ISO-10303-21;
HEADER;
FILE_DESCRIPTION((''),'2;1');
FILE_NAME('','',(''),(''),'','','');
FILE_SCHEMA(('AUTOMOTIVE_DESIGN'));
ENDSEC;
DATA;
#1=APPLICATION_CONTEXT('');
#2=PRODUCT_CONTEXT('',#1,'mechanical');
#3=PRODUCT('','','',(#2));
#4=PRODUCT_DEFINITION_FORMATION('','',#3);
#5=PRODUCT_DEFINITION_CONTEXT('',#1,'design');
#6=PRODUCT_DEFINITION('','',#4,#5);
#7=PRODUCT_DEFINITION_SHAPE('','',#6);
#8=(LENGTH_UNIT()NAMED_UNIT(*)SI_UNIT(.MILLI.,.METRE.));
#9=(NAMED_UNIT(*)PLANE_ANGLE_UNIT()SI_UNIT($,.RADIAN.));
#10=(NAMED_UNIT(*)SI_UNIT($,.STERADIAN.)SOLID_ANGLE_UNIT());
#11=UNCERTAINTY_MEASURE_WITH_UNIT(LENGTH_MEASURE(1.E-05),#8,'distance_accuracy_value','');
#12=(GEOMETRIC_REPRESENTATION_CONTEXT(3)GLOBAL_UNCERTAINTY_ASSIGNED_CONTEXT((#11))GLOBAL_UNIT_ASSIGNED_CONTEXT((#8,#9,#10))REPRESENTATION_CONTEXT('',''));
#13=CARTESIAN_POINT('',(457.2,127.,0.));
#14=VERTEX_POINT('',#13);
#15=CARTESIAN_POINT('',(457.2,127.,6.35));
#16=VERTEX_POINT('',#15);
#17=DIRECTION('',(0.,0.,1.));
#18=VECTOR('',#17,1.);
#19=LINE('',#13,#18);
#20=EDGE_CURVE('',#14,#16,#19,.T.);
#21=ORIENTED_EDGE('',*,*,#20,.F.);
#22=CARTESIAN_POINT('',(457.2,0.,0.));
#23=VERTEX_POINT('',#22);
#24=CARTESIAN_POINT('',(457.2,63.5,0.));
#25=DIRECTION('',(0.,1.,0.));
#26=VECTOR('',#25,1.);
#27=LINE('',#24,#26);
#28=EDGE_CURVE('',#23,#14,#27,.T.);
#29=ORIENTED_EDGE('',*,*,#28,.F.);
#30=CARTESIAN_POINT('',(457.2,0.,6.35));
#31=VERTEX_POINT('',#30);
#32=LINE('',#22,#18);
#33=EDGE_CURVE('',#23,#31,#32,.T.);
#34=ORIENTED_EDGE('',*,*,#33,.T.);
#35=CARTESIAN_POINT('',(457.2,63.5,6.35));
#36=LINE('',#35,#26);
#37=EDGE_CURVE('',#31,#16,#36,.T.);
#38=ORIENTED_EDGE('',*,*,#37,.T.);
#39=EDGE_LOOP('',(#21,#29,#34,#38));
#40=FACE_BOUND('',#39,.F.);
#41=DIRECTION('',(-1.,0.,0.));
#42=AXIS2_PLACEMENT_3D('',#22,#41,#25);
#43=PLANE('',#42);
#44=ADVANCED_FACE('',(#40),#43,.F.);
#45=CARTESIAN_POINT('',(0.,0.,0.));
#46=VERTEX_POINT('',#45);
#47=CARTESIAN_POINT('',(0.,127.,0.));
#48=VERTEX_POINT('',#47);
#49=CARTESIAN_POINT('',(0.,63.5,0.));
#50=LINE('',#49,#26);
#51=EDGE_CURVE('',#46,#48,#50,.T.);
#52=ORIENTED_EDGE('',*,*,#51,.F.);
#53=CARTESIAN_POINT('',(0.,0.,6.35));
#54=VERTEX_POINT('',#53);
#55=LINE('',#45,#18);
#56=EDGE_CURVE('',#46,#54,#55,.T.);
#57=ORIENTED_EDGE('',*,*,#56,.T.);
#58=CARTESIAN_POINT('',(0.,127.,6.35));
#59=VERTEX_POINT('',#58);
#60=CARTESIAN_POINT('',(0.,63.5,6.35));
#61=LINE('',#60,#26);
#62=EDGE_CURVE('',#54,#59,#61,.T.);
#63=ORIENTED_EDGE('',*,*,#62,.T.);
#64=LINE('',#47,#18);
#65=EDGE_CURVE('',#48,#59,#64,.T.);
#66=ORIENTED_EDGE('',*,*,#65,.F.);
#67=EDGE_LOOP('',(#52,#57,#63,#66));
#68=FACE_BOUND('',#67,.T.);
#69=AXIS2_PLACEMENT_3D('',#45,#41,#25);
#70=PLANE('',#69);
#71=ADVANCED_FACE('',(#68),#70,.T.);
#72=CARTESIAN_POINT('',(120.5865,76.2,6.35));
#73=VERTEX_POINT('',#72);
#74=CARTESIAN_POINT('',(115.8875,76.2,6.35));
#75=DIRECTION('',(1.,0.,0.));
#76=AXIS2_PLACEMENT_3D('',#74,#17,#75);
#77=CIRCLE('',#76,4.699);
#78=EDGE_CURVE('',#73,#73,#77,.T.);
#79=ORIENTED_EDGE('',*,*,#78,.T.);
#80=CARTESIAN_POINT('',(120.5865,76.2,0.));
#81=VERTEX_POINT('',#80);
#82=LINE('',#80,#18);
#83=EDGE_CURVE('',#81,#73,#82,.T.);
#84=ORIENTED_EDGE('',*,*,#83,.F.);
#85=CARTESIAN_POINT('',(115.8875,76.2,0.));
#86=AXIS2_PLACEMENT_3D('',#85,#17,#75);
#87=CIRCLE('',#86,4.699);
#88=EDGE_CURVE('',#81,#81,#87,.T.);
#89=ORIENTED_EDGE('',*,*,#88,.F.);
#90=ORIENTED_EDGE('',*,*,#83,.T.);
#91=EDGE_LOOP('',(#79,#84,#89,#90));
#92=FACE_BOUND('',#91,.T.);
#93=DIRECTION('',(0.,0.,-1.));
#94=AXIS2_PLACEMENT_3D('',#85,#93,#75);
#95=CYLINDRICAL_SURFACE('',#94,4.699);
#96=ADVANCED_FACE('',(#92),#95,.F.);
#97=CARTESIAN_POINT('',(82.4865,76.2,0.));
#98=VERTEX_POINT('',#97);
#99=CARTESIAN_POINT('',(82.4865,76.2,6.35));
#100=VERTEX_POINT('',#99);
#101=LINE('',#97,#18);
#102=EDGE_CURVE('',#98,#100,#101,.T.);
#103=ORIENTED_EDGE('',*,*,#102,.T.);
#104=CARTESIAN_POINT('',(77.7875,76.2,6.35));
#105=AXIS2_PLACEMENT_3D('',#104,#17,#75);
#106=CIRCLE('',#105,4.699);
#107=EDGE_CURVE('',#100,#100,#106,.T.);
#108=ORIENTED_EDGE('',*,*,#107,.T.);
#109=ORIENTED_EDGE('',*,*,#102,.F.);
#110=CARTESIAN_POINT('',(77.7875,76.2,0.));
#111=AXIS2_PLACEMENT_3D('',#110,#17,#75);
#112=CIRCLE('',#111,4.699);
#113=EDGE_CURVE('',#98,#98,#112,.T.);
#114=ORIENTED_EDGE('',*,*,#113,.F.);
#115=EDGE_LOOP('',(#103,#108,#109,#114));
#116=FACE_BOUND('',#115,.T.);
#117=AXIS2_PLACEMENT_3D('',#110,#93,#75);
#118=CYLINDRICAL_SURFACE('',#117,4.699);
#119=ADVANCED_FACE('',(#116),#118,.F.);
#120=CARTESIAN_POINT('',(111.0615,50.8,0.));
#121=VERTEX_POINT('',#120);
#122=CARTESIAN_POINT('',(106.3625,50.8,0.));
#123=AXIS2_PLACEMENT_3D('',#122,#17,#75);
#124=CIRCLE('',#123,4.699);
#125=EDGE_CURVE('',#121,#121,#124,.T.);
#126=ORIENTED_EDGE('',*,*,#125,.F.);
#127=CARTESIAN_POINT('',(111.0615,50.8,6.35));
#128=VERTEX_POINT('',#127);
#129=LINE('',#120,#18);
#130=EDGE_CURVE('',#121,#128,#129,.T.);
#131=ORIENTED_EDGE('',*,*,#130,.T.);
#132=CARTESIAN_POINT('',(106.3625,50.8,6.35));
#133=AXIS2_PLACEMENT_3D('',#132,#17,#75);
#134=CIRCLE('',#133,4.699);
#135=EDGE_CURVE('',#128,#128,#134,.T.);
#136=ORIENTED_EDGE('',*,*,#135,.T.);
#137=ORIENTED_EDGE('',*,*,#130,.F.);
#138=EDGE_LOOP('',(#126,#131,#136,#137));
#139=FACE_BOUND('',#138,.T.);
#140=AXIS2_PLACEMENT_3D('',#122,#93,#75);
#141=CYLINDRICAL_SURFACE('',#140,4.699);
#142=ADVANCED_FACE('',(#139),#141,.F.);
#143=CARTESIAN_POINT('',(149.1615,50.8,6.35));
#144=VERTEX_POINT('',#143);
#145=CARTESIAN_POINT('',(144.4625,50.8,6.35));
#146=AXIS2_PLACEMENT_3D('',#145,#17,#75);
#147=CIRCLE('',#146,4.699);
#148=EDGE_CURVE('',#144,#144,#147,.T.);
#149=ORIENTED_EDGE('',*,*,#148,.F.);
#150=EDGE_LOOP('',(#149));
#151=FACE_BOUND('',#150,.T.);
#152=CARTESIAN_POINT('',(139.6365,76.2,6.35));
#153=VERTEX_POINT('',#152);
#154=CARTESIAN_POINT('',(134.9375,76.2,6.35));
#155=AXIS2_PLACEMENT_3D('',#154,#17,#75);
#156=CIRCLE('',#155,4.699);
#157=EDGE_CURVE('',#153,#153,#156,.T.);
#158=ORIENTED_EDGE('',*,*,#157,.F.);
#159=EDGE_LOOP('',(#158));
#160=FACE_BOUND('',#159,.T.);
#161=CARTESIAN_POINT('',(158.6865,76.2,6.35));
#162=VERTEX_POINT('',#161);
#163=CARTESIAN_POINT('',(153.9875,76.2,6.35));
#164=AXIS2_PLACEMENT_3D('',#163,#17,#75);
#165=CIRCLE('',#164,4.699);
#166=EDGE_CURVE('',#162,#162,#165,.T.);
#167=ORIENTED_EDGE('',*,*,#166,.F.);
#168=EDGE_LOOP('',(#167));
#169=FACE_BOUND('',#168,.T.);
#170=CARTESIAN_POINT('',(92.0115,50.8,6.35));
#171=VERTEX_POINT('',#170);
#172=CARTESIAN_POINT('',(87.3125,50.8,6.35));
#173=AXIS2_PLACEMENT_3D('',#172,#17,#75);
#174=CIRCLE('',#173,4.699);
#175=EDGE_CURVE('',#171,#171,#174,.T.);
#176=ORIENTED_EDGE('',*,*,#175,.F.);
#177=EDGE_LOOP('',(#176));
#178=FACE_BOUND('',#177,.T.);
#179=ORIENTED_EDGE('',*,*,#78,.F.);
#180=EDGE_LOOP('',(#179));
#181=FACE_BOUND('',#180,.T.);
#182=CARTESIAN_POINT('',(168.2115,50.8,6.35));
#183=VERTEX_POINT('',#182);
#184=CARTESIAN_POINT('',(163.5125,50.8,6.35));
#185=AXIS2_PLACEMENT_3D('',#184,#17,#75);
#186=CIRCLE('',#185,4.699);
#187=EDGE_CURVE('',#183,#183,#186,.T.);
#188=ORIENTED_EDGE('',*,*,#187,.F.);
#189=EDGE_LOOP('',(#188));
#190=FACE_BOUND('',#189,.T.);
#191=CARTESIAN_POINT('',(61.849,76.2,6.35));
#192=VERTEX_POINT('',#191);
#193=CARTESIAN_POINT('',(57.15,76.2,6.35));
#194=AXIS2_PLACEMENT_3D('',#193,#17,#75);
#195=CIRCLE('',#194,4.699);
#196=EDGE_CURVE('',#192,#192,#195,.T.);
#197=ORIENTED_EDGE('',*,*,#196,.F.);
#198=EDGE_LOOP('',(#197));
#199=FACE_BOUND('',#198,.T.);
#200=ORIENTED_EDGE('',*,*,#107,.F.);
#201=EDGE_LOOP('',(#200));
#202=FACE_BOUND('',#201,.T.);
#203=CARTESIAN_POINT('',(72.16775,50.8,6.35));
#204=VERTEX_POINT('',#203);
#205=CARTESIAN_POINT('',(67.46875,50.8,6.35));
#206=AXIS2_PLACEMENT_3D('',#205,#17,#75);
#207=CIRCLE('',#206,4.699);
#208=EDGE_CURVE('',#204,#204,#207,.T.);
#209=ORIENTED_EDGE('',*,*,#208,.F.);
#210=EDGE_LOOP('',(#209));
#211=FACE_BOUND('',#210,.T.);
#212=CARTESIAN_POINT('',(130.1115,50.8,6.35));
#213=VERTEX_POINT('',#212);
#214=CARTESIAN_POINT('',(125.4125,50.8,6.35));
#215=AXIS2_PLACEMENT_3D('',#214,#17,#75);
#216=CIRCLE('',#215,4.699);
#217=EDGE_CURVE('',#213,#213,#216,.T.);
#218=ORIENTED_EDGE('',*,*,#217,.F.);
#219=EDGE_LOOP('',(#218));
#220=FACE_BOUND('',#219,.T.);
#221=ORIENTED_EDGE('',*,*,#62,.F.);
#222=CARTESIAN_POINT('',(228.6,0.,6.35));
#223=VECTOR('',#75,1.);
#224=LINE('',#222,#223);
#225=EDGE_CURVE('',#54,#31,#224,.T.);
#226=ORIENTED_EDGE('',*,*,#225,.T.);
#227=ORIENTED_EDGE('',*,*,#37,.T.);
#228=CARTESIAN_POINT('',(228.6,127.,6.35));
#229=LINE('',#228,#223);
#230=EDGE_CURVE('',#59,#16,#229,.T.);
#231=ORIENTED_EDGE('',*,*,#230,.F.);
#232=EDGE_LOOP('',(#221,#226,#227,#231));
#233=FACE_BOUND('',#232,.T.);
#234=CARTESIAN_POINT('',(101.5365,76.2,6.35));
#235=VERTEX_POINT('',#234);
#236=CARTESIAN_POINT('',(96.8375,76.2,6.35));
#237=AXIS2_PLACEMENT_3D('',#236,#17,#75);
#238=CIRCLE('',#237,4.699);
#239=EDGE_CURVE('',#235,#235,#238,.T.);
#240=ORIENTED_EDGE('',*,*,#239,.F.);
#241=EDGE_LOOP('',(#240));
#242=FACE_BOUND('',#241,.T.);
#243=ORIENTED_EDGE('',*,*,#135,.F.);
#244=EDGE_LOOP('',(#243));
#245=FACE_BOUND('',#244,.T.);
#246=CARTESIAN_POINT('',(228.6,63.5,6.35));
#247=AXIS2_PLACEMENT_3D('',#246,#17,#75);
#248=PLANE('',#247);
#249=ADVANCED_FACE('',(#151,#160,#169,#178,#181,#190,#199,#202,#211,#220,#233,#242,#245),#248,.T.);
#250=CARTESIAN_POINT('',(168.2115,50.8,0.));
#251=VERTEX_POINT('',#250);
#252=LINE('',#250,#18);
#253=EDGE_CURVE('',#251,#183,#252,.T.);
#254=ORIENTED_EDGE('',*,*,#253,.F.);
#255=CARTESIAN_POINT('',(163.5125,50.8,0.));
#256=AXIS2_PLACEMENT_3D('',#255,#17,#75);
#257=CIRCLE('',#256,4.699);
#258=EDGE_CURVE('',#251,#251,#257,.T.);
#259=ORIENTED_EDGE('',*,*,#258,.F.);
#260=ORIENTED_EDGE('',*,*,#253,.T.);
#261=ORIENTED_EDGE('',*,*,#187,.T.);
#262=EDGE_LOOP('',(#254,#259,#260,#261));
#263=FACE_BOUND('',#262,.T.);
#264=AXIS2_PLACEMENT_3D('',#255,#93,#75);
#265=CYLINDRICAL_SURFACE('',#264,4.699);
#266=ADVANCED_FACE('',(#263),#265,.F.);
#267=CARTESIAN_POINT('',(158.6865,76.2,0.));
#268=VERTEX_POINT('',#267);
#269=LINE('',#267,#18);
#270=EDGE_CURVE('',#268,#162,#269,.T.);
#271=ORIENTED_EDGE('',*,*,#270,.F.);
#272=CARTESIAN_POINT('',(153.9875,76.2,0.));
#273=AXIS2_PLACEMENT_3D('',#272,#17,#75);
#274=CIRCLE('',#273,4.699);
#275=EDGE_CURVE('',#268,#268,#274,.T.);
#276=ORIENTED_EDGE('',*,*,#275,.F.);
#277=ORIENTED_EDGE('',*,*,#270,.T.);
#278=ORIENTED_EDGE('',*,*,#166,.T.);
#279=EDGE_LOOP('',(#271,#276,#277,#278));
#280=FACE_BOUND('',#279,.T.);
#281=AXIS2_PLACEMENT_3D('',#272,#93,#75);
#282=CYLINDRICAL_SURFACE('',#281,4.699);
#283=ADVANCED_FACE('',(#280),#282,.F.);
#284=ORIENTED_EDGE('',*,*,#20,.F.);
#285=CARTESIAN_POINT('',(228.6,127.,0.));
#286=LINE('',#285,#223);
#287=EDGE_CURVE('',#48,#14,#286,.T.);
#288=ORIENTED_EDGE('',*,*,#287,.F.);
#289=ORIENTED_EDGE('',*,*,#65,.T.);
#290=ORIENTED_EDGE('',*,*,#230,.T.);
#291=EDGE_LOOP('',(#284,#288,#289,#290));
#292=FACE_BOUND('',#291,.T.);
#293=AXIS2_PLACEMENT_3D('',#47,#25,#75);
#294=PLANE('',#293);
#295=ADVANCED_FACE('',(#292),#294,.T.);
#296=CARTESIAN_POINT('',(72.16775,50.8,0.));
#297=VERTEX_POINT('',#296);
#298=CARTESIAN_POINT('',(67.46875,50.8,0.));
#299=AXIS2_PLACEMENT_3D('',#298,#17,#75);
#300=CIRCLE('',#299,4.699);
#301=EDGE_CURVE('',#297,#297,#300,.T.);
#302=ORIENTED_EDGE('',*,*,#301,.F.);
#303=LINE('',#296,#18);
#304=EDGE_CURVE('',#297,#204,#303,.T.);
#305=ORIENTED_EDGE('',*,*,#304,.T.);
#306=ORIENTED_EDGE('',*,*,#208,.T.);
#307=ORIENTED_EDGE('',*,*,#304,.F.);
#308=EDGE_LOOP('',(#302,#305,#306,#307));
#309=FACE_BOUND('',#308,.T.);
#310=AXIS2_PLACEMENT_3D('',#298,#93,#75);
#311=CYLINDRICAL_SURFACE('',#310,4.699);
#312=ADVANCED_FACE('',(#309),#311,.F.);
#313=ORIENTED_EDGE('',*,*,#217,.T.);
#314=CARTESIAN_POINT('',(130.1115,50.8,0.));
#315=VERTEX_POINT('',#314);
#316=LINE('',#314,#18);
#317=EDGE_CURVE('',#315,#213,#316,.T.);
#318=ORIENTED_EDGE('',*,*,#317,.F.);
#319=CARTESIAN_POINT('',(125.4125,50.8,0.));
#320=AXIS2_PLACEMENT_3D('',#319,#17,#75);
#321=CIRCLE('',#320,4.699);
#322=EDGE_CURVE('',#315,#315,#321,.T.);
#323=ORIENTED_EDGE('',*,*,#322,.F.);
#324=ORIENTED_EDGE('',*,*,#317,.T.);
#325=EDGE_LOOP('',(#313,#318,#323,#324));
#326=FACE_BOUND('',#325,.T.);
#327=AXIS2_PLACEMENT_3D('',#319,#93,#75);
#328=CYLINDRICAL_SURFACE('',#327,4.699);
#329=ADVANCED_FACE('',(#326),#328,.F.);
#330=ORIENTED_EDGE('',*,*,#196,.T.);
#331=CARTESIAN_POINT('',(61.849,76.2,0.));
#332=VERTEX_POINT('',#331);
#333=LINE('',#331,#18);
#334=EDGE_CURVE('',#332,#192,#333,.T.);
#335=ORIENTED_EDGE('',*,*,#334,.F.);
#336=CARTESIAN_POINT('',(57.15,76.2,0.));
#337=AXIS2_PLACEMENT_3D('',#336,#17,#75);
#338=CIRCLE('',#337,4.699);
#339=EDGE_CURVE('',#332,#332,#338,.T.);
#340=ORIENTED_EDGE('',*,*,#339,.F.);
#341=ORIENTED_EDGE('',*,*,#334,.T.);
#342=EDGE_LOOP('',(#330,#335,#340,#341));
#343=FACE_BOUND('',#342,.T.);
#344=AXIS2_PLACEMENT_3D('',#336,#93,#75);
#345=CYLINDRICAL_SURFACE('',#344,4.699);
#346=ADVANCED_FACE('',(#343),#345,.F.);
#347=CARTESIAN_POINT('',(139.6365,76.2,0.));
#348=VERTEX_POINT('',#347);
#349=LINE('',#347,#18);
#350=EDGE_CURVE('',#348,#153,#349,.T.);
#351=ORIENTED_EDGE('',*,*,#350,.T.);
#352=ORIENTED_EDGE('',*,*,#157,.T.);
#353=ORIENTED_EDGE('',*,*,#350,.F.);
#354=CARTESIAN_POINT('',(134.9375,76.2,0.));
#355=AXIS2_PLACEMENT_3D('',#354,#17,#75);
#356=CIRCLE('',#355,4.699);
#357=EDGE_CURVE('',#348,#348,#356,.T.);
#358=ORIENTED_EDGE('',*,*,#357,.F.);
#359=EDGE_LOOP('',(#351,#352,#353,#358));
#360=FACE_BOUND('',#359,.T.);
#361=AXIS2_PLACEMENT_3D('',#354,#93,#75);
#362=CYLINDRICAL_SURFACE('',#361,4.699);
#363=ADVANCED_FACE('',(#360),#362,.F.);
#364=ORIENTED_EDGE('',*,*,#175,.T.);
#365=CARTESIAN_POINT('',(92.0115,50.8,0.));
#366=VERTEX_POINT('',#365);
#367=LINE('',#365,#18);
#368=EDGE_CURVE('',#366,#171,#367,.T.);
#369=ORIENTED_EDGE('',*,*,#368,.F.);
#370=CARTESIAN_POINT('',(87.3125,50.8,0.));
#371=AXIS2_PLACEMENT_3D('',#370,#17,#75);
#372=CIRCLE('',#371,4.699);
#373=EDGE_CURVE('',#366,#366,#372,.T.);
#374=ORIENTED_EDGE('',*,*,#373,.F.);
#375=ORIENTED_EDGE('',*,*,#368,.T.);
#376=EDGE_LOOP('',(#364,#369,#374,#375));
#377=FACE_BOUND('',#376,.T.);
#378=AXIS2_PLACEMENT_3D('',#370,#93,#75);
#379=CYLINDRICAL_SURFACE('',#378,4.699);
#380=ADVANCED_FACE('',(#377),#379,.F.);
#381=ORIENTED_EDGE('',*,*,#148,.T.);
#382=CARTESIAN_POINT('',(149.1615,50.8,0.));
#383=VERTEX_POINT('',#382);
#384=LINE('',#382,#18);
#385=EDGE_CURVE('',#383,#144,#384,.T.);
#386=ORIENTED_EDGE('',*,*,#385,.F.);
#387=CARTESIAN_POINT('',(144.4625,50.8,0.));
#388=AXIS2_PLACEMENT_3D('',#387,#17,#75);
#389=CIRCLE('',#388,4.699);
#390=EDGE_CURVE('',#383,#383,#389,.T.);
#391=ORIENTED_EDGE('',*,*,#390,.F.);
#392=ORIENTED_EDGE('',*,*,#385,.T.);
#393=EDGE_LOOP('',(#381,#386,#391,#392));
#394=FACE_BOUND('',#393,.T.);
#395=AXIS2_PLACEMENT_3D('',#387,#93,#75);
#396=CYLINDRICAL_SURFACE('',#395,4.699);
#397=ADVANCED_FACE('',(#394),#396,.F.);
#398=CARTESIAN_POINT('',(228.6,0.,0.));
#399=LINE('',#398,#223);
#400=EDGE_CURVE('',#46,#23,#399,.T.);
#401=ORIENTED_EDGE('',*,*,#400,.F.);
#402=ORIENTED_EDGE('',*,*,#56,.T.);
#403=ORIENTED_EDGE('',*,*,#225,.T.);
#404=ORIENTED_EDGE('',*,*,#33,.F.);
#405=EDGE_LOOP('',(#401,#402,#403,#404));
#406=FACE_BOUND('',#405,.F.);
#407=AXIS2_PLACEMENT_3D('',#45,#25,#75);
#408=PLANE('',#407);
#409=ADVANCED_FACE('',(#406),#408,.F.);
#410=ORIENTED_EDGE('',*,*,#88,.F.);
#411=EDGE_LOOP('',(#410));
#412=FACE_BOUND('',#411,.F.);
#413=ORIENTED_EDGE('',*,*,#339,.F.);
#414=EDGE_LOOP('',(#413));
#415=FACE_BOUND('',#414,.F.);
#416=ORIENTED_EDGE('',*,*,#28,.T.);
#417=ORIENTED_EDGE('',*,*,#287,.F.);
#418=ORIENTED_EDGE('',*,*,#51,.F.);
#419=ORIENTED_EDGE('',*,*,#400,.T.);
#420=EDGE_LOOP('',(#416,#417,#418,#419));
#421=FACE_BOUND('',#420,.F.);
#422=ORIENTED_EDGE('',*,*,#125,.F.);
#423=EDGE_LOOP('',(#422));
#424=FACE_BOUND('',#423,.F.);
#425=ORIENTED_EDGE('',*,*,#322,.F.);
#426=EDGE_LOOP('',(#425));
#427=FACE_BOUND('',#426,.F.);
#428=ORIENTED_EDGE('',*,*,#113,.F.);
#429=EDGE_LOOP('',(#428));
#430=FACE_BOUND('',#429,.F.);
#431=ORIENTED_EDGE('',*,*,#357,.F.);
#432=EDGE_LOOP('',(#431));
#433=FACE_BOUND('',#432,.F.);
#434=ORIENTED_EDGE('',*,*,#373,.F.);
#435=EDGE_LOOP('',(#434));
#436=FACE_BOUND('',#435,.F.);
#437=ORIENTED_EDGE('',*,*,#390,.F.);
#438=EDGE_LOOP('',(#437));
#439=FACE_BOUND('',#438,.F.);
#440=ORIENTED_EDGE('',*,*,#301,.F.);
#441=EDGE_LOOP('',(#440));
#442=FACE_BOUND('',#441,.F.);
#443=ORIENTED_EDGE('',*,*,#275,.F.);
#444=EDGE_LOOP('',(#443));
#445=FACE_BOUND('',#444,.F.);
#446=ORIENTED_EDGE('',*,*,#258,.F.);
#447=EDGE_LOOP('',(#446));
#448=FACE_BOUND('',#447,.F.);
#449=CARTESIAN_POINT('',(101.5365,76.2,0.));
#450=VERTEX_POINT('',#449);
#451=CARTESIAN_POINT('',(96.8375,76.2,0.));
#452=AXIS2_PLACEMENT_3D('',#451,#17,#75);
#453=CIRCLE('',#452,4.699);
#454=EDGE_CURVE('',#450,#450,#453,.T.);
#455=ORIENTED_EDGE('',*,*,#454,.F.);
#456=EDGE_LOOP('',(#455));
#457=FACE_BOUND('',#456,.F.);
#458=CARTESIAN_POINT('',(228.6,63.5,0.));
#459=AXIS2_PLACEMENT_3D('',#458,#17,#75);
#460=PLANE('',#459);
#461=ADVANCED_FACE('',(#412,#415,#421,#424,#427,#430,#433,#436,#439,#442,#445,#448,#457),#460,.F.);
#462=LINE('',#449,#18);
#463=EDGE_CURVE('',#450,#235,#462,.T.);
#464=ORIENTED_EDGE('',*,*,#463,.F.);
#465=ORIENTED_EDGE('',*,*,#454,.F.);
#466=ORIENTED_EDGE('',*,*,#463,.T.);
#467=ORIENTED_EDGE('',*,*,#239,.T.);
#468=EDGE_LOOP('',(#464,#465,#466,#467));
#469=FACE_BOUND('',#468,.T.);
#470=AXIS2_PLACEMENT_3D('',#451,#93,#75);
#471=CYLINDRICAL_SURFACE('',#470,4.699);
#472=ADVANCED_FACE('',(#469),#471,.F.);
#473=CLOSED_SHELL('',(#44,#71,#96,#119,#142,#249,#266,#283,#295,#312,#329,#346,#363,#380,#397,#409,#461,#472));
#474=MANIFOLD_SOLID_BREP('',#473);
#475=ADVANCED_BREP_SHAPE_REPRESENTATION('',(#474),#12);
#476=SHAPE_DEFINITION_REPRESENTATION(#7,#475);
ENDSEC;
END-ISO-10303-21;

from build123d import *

# Parameters (mm, degrees)
F0_W     = 457.2
F0_H     = 127
F0_R     = 4.699
F1_DEPTH = 6.35


with BuildPart() as f1:
    # F0 (on Top) → F1 (new body)
    with BuildSketch(Plane.XY):
        with Locations((228.6, 63.5)):
            Rectangle(F0_W, F0_H)
        with Locations((67.46875, 50.8)):
            Circle(F0_R, mode=Mode.SUBTRACT)
        with Locations((87.3125, 50.8)):
            Circle(F0_R, mode=Mode.SUBTRACT)
        with Locations((106.3625, 50.8)):
            Circle(F0_R, mode=Mode.SUBTRACT)
        with Locations((125.4125, 50.8)):
            Circle(F0_R, mode=Mode.SUBTRACT)
        with Locations((144.4625, 50.8)):
            Circle(F0_R, mode=Mode.SUBTRACT)
        with Locations((163.5125, 50.8)):
            Circle(F0_R, mode=Mode.SUBTRACT)
        with Locations((57.15, 76.2)):
            Circle(F0_R, mode=Mode.SUBTRACT)
        with Locations((77.7875, 76.2)):
            Circle(F0_R, mode=Mode.SUBTRACT)
        with Locations((96.8375, 76.2)):
            Circle(F0_R, mode=Mode.SUBTRACT)
        with Locations((115.8875, 76.2)):
            Circle(F0_R, mode=Mode.SUBTRACT)
        with Locations((134.9375, 76.2)):
            Circle(F0_R, mode=Mode.SUBTRACT)
        with Locations((153.9875, 76.2)):
            Circle(F0_R, mode=Mode.SUBTRACT)
    extrude(amount=F1_DEPTH)


solid = f1.part
